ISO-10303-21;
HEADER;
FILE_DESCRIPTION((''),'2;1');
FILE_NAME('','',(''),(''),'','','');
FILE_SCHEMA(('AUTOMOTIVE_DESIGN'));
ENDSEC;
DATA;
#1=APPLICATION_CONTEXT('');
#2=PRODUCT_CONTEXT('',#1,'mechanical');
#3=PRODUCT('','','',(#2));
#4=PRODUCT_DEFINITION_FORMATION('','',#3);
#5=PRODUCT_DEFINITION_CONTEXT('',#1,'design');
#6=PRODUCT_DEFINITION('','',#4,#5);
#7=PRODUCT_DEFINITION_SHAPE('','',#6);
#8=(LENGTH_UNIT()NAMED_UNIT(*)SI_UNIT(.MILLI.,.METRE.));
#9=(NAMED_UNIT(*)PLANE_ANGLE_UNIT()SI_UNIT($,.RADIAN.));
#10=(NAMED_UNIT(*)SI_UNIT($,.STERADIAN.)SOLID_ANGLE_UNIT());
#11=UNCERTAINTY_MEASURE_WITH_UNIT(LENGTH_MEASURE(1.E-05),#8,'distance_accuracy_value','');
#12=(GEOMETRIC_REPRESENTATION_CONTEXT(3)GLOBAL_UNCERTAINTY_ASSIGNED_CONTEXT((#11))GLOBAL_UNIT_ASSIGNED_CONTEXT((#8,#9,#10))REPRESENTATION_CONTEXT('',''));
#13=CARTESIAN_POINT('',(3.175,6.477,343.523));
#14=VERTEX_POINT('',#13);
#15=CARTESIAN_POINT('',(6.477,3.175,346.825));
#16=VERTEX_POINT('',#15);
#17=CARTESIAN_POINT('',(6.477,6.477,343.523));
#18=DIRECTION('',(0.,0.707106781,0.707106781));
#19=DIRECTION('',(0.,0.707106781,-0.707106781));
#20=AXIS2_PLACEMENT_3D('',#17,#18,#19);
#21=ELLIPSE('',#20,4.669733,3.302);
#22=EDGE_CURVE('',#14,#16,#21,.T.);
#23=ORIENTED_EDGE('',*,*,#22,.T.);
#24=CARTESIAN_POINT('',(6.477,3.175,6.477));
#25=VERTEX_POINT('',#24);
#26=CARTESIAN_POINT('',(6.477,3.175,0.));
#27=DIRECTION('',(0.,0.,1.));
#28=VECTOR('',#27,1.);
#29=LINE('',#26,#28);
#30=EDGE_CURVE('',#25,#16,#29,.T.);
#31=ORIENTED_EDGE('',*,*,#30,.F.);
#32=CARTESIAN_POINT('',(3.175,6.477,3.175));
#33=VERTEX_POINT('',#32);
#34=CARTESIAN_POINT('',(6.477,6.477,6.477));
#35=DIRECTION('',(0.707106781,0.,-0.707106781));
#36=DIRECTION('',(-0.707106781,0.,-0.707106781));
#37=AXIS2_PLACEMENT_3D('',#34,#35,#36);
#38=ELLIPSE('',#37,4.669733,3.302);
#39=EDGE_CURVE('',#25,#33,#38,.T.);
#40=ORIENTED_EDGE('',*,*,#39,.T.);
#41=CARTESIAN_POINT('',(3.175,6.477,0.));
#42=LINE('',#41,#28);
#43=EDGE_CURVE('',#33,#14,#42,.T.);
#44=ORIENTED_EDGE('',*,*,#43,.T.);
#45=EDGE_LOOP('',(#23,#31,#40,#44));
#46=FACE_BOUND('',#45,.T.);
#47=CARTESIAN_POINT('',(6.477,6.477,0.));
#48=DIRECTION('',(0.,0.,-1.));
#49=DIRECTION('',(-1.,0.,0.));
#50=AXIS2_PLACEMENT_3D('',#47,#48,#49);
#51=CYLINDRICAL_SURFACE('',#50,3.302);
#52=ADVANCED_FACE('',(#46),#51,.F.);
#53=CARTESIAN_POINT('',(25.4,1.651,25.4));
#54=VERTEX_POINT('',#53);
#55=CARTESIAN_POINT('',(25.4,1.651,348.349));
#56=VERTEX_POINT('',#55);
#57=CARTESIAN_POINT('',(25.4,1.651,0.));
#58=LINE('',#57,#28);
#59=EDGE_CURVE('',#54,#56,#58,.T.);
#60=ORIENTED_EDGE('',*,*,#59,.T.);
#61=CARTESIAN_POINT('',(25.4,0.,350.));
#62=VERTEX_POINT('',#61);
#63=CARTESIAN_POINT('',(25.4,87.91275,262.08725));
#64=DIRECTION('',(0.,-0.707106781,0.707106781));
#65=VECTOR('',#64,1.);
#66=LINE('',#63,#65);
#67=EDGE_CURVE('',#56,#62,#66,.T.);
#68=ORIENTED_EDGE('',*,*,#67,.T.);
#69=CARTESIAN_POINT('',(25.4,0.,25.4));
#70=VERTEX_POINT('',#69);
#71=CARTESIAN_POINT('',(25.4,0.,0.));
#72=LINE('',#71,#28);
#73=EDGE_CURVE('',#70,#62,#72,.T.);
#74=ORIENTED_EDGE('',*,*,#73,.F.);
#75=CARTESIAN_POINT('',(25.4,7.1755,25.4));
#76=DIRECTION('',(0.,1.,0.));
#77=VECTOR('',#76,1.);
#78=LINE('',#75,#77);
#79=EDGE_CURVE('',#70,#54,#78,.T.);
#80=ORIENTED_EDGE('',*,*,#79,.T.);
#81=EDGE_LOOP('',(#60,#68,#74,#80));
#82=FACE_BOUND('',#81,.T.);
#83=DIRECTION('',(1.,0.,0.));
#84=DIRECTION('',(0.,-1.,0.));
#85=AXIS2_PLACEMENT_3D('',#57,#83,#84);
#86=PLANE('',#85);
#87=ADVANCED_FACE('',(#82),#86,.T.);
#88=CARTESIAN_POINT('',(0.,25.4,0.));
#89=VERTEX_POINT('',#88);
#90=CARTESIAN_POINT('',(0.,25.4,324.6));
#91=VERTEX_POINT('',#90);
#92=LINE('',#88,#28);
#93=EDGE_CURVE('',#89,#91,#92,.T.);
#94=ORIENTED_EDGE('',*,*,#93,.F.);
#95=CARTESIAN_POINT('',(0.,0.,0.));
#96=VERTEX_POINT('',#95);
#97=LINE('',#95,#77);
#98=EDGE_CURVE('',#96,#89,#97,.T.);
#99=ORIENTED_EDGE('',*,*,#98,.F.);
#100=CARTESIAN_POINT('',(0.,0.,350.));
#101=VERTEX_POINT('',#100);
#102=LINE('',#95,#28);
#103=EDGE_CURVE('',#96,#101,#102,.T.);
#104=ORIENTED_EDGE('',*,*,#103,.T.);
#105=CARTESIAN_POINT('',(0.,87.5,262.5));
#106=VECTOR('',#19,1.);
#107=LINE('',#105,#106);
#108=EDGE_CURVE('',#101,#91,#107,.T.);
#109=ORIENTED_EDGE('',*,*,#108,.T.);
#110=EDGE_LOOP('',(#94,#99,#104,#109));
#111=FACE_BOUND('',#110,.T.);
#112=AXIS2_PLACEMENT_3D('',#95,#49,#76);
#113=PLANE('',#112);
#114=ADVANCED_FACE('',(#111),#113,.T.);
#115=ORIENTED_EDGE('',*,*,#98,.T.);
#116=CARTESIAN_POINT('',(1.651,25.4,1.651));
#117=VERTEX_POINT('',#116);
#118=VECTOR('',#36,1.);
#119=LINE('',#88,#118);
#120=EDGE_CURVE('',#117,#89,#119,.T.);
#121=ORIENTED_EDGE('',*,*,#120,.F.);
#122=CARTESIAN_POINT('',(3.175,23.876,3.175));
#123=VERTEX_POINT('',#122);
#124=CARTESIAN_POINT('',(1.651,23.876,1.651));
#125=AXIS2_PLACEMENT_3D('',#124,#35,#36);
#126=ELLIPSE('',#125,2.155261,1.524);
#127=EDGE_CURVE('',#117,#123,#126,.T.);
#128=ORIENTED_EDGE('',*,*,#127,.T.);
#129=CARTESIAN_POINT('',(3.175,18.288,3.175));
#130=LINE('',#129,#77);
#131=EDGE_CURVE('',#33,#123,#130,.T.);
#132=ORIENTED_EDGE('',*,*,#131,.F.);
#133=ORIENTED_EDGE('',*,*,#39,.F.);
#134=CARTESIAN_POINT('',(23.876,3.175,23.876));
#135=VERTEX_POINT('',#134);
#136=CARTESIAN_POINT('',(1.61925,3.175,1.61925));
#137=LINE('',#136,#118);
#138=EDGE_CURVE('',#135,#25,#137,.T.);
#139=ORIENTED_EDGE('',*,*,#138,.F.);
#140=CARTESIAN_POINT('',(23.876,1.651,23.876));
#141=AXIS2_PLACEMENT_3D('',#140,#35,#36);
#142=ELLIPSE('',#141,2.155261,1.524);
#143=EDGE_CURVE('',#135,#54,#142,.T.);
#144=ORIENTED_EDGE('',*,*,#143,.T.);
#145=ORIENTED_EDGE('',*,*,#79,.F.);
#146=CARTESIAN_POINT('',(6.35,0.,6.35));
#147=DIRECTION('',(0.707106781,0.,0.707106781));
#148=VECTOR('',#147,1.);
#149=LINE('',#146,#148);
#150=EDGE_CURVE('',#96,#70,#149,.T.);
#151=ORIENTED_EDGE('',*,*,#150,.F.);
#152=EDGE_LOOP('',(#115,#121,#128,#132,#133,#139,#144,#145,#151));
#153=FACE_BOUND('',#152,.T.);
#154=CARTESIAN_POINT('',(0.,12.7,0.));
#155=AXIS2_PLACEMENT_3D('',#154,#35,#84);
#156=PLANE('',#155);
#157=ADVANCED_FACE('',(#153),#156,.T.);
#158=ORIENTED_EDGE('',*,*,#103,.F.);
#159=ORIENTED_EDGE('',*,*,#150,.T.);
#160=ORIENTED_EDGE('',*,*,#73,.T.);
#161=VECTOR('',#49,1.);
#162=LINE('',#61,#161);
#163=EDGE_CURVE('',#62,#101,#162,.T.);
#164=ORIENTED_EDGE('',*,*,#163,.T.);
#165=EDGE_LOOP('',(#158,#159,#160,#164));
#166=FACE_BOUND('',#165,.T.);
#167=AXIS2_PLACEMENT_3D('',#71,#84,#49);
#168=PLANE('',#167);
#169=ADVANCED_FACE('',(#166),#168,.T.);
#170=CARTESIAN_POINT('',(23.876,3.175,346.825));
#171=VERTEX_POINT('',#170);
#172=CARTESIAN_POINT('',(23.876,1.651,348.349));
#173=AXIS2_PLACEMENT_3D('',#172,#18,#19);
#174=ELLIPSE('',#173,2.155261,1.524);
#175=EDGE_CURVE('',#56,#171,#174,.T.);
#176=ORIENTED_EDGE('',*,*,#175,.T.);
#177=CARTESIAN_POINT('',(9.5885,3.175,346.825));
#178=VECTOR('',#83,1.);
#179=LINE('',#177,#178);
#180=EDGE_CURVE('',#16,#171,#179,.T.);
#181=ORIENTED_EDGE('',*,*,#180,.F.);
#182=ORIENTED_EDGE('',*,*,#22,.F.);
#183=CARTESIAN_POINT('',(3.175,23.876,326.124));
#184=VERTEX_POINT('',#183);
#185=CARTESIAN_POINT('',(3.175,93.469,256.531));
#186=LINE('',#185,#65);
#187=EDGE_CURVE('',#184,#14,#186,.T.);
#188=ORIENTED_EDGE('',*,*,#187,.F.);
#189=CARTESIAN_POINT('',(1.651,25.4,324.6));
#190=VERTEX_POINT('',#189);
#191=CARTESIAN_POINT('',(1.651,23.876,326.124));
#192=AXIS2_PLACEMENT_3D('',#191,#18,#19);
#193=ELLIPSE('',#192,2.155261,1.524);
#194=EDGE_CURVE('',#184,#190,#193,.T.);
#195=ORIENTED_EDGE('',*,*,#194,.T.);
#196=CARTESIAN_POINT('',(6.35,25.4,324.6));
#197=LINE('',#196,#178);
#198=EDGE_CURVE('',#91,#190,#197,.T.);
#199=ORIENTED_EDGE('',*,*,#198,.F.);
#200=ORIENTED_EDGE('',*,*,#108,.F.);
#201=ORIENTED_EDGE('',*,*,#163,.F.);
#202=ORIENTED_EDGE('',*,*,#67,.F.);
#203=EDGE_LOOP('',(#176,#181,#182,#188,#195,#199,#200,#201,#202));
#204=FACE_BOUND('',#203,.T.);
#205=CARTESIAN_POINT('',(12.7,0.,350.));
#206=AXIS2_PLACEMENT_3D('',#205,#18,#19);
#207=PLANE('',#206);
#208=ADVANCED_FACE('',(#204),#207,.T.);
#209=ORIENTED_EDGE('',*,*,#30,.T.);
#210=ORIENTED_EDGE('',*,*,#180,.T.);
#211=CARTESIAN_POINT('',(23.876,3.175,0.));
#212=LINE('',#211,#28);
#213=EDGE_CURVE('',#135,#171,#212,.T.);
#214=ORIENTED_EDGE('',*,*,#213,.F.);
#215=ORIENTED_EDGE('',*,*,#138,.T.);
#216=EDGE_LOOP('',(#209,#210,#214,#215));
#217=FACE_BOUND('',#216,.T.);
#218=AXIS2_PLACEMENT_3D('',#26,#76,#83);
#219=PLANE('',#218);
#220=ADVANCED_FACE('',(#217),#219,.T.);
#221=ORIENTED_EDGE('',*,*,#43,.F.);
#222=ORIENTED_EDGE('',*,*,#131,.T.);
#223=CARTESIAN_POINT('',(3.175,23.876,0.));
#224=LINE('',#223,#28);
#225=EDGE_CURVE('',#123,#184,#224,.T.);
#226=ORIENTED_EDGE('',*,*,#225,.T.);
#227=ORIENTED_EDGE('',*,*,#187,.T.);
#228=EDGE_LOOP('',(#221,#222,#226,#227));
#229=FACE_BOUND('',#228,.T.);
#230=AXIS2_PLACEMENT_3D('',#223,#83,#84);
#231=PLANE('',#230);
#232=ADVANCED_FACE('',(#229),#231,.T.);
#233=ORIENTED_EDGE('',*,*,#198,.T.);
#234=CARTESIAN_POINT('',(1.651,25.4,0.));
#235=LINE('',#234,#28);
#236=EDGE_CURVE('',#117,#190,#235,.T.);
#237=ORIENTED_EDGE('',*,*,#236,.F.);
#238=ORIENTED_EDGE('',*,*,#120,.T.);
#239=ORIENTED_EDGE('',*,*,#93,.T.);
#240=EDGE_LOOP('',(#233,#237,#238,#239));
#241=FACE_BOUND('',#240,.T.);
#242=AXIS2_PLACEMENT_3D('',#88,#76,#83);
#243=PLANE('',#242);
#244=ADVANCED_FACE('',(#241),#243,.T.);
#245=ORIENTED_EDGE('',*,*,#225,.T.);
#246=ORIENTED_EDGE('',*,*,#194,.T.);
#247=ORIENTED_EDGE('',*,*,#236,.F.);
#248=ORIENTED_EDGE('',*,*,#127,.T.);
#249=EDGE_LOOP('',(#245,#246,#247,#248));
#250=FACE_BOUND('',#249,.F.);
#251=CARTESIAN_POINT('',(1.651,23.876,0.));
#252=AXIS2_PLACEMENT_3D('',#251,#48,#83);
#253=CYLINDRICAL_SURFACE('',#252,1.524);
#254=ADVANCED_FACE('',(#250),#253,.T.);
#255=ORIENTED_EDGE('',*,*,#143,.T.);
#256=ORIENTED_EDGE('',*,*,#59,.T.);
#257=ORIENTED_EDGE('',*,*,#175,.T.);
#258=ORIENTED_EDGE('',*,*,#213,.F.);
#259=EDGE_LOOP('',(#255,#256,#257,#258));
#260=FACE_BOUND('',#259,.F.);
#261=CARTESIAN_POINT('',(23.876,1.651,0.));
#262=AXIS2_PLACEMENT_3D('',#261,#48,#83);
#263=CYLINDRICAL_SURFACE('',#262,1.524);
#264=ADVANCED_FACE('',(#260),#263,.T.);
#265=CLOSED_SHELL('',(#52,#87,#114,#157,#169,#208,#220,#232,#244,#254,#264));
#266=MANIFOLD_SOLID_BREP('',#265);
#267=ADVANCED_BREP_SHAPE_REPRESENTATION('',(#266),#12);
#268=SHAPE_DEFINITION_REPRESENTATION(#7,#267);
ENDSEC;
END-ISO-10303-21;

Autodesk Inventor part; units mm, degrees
ref_plane "Start Plane" through (0, 0, 0) normal (0, 0, 1) x (1, 0, 0)
ref_plane "End Plane" through (0, 0, 350) normal (0, 0, 1) x (1, 0, 0)
sketch "Sketch" plane through (0, 0, 0) normal (0, 0, 1) x (1, 0, 0)
  line L0 (25.4, 0) -> (0, 0)
  line L1 (0, 0) -> (0, 25.4)
  line L2 (0, 25.4) -> (1.651, 25.4)
  line L3 (3.175, 23.876) -> (3.175, 6.477)
  line L4 (6.477, 3.175) -> (23.876, 3.175)
  line L5 (25.4, 1.651) -> (25.4, 0)
  line L6 (0, -11.0414) -> (0, 31.5385) construction
  line L7 (-11.0414, 0) -> (31.5385, 0) construction
  arc A0 (3.175, 6.477) -> (6.477, 3.175) centre (6.477, 6.477) ccw
  arc A1 (3.175, 23.876) -> (1.651, 25.4) centre (1.651, 23.876) ccw
  arc A2 (25.4, 1.651) -> (23.876, 3.175) centre (23.876, 1.651) ccw
  line L8 (0, 40.0545) -> (0, -19.5574) construction
  line L9 (-19.5574, 0) -> (40.0545, 0) construction
  point P0 (3.175, 25.4)
  point P1 (3.175, 3.175)
  point P2 (25.4, 3.175)
  dimension "d0" = 25.4
  dimension "d1" = 25.4
  dimension "d2" = 3.175
  dimension "d3" = 3.175
  dimension "d10" = 0
  dimension "d11" = 0
  dimension "d14" = 3.302
  dimension "d15" = 1.524
extrude "Body" add sketch "Sketch" along normal up to surface (350 mm away) from surface at 0
sketch "Sketch3" plane through (0, 0, 0) normal (0, 0, 1) x (1, 0, 0)
  line L0 (0, 0) -> (10, 0)
ref_plane "Work Plane3" through (0, 0, 0) normal (0, -1, 0) x (1, 0, 0)
ref_plane "Work Plane4" through (12.7, 0, 350) normal (0, 0.7071, 0.7071) x (1, 0, 0)
split "Split1" plane through (12.7, 0, 350) removes the side toward (0, 0.7071, 0.7071)
ref_plane "Work Plane5" through (0, 12.7, 0) normal (0.7071, 0, -0.7071) x (-0.7071, 0, -0.7071)
split "Split2" plane through (0, 12.7, 0) removes the side toward (0.7071, 0, -0.7071)
sketch "Sketch4" plane through (0, 0, 0) normal (0, -1, 0) x (1, 0, 0)
  line L0 (-2, 0) -> (12, 0) projected
  line L1 (-2, 350) -> (12, 350) projected
  dimension "d17" = 350
equation "\"d0\" = G_H"
equation "\"d1\" = G_H"
equation "\"d2\" = G_T"
equation "\"d3\" = G_T"
equation "\"d14\" = G_IR"
equation "\"d15\" = G_ER"
equation "\"d4\" = G_L"
equation "\"G_H\" = 25.4"
equation "\"G_T\" = 3.175"
equation "\"G_ER\" = 1.524"
equation "\"G_IR\" = 3.302"
equation "\"G_L\" = d17"
equation "\"ex\" = 0"
equation "\"G_OFFSET_START\" = 0"
equation "\"G_OFFSET_END\" = -100"
equation "\"d13\" = G_OFFSET_END + B_L"
equation "\"B_L\" = 450"
properties part number "AISC - L 1 x 1 x 1/8 - 13.78" material "Steel, Mild"
